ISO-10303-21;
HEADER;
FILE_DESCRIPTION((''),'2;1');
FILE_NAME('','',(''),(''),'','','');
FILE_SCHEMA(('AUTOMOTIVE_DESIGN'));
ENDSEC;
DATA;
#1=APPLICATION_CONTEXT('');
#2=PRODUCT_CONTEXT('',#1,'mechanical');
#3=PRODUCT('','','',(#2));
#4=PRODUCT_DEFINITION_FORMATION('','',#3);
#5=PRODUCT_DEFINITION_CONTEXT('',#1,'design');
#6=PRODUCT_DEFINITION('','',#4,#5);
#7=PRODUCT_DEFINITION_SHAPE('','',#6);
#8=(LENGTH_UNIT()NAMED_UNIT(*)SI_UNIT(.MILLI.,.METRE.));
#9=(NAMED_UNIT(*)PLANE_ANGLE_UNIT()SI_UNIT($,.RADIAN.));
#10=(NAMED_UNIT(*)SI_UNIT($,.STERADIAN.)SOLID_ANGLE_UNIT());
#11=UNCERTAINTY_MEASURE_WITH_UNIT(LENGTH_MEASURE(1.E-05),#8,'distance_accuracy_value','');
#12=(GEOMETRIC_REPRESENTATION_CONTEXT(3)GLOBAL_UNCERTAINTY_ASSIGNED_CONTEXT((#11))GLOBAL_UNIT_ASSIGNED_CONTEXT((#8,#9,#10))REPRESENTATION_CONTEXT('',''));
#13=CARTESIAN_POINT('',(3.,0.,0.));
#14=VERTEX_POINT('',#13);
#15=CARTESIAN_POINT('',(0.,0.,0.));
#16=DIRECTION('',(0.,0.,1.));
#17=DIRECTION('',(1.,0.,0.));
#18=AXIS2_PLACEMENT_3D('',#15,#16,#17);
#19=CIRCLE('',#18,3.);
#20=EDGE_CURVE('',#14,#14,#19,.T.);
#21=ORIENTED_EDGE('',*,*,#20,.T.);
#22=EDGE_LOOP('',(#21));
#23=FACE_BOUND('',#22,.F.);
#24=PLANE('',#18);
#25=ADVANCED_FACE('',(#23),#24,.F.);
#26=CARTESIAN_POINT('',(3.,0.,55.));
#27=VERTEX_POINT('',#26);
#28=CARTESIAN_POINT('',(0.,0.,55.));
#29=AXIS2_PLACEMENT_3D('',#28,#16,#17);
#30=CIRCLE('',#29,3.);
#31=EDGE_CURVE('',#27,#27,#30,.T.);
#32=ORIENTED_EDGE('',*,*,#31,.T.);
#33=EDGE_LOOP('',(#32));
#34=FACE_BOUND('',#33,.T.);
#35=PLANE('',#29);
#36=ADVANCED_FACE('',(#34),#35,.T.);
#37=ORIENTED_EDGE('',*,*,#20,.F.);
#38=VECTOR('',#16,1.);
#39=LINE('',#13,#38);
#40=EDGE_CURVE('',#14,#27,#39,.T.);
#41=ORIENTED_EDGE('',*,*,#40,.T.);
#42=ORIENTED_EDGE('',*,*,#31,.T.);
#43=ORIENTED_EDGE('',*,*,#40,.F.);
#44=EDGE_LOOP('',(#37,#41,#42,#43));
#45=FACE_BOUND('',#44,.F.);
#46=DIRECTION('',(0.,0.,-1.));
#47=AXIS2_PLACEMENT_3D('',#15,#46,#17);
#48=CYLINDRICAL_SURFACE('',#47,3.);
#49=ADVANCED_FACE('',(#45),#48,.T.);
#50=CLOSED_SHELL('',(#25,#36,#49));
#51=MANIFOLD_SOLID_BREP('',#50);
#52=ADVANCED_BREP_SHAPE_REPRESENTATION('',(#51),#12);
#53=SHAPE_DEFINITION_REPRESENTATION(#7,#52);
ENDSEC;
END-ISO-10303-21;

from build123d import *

# Parameters (mm, degrees)
SKETCH1_R  = 3
MAIN_DEPTH = 55


with BuildPart() as part:
    # Sketch1 → Main (new body)
    with BuildSketch(Plane.XY):
        Circle(SKETCH1_R)
    extrude(amount=MAIN_DEPTH)


solid = part.part
